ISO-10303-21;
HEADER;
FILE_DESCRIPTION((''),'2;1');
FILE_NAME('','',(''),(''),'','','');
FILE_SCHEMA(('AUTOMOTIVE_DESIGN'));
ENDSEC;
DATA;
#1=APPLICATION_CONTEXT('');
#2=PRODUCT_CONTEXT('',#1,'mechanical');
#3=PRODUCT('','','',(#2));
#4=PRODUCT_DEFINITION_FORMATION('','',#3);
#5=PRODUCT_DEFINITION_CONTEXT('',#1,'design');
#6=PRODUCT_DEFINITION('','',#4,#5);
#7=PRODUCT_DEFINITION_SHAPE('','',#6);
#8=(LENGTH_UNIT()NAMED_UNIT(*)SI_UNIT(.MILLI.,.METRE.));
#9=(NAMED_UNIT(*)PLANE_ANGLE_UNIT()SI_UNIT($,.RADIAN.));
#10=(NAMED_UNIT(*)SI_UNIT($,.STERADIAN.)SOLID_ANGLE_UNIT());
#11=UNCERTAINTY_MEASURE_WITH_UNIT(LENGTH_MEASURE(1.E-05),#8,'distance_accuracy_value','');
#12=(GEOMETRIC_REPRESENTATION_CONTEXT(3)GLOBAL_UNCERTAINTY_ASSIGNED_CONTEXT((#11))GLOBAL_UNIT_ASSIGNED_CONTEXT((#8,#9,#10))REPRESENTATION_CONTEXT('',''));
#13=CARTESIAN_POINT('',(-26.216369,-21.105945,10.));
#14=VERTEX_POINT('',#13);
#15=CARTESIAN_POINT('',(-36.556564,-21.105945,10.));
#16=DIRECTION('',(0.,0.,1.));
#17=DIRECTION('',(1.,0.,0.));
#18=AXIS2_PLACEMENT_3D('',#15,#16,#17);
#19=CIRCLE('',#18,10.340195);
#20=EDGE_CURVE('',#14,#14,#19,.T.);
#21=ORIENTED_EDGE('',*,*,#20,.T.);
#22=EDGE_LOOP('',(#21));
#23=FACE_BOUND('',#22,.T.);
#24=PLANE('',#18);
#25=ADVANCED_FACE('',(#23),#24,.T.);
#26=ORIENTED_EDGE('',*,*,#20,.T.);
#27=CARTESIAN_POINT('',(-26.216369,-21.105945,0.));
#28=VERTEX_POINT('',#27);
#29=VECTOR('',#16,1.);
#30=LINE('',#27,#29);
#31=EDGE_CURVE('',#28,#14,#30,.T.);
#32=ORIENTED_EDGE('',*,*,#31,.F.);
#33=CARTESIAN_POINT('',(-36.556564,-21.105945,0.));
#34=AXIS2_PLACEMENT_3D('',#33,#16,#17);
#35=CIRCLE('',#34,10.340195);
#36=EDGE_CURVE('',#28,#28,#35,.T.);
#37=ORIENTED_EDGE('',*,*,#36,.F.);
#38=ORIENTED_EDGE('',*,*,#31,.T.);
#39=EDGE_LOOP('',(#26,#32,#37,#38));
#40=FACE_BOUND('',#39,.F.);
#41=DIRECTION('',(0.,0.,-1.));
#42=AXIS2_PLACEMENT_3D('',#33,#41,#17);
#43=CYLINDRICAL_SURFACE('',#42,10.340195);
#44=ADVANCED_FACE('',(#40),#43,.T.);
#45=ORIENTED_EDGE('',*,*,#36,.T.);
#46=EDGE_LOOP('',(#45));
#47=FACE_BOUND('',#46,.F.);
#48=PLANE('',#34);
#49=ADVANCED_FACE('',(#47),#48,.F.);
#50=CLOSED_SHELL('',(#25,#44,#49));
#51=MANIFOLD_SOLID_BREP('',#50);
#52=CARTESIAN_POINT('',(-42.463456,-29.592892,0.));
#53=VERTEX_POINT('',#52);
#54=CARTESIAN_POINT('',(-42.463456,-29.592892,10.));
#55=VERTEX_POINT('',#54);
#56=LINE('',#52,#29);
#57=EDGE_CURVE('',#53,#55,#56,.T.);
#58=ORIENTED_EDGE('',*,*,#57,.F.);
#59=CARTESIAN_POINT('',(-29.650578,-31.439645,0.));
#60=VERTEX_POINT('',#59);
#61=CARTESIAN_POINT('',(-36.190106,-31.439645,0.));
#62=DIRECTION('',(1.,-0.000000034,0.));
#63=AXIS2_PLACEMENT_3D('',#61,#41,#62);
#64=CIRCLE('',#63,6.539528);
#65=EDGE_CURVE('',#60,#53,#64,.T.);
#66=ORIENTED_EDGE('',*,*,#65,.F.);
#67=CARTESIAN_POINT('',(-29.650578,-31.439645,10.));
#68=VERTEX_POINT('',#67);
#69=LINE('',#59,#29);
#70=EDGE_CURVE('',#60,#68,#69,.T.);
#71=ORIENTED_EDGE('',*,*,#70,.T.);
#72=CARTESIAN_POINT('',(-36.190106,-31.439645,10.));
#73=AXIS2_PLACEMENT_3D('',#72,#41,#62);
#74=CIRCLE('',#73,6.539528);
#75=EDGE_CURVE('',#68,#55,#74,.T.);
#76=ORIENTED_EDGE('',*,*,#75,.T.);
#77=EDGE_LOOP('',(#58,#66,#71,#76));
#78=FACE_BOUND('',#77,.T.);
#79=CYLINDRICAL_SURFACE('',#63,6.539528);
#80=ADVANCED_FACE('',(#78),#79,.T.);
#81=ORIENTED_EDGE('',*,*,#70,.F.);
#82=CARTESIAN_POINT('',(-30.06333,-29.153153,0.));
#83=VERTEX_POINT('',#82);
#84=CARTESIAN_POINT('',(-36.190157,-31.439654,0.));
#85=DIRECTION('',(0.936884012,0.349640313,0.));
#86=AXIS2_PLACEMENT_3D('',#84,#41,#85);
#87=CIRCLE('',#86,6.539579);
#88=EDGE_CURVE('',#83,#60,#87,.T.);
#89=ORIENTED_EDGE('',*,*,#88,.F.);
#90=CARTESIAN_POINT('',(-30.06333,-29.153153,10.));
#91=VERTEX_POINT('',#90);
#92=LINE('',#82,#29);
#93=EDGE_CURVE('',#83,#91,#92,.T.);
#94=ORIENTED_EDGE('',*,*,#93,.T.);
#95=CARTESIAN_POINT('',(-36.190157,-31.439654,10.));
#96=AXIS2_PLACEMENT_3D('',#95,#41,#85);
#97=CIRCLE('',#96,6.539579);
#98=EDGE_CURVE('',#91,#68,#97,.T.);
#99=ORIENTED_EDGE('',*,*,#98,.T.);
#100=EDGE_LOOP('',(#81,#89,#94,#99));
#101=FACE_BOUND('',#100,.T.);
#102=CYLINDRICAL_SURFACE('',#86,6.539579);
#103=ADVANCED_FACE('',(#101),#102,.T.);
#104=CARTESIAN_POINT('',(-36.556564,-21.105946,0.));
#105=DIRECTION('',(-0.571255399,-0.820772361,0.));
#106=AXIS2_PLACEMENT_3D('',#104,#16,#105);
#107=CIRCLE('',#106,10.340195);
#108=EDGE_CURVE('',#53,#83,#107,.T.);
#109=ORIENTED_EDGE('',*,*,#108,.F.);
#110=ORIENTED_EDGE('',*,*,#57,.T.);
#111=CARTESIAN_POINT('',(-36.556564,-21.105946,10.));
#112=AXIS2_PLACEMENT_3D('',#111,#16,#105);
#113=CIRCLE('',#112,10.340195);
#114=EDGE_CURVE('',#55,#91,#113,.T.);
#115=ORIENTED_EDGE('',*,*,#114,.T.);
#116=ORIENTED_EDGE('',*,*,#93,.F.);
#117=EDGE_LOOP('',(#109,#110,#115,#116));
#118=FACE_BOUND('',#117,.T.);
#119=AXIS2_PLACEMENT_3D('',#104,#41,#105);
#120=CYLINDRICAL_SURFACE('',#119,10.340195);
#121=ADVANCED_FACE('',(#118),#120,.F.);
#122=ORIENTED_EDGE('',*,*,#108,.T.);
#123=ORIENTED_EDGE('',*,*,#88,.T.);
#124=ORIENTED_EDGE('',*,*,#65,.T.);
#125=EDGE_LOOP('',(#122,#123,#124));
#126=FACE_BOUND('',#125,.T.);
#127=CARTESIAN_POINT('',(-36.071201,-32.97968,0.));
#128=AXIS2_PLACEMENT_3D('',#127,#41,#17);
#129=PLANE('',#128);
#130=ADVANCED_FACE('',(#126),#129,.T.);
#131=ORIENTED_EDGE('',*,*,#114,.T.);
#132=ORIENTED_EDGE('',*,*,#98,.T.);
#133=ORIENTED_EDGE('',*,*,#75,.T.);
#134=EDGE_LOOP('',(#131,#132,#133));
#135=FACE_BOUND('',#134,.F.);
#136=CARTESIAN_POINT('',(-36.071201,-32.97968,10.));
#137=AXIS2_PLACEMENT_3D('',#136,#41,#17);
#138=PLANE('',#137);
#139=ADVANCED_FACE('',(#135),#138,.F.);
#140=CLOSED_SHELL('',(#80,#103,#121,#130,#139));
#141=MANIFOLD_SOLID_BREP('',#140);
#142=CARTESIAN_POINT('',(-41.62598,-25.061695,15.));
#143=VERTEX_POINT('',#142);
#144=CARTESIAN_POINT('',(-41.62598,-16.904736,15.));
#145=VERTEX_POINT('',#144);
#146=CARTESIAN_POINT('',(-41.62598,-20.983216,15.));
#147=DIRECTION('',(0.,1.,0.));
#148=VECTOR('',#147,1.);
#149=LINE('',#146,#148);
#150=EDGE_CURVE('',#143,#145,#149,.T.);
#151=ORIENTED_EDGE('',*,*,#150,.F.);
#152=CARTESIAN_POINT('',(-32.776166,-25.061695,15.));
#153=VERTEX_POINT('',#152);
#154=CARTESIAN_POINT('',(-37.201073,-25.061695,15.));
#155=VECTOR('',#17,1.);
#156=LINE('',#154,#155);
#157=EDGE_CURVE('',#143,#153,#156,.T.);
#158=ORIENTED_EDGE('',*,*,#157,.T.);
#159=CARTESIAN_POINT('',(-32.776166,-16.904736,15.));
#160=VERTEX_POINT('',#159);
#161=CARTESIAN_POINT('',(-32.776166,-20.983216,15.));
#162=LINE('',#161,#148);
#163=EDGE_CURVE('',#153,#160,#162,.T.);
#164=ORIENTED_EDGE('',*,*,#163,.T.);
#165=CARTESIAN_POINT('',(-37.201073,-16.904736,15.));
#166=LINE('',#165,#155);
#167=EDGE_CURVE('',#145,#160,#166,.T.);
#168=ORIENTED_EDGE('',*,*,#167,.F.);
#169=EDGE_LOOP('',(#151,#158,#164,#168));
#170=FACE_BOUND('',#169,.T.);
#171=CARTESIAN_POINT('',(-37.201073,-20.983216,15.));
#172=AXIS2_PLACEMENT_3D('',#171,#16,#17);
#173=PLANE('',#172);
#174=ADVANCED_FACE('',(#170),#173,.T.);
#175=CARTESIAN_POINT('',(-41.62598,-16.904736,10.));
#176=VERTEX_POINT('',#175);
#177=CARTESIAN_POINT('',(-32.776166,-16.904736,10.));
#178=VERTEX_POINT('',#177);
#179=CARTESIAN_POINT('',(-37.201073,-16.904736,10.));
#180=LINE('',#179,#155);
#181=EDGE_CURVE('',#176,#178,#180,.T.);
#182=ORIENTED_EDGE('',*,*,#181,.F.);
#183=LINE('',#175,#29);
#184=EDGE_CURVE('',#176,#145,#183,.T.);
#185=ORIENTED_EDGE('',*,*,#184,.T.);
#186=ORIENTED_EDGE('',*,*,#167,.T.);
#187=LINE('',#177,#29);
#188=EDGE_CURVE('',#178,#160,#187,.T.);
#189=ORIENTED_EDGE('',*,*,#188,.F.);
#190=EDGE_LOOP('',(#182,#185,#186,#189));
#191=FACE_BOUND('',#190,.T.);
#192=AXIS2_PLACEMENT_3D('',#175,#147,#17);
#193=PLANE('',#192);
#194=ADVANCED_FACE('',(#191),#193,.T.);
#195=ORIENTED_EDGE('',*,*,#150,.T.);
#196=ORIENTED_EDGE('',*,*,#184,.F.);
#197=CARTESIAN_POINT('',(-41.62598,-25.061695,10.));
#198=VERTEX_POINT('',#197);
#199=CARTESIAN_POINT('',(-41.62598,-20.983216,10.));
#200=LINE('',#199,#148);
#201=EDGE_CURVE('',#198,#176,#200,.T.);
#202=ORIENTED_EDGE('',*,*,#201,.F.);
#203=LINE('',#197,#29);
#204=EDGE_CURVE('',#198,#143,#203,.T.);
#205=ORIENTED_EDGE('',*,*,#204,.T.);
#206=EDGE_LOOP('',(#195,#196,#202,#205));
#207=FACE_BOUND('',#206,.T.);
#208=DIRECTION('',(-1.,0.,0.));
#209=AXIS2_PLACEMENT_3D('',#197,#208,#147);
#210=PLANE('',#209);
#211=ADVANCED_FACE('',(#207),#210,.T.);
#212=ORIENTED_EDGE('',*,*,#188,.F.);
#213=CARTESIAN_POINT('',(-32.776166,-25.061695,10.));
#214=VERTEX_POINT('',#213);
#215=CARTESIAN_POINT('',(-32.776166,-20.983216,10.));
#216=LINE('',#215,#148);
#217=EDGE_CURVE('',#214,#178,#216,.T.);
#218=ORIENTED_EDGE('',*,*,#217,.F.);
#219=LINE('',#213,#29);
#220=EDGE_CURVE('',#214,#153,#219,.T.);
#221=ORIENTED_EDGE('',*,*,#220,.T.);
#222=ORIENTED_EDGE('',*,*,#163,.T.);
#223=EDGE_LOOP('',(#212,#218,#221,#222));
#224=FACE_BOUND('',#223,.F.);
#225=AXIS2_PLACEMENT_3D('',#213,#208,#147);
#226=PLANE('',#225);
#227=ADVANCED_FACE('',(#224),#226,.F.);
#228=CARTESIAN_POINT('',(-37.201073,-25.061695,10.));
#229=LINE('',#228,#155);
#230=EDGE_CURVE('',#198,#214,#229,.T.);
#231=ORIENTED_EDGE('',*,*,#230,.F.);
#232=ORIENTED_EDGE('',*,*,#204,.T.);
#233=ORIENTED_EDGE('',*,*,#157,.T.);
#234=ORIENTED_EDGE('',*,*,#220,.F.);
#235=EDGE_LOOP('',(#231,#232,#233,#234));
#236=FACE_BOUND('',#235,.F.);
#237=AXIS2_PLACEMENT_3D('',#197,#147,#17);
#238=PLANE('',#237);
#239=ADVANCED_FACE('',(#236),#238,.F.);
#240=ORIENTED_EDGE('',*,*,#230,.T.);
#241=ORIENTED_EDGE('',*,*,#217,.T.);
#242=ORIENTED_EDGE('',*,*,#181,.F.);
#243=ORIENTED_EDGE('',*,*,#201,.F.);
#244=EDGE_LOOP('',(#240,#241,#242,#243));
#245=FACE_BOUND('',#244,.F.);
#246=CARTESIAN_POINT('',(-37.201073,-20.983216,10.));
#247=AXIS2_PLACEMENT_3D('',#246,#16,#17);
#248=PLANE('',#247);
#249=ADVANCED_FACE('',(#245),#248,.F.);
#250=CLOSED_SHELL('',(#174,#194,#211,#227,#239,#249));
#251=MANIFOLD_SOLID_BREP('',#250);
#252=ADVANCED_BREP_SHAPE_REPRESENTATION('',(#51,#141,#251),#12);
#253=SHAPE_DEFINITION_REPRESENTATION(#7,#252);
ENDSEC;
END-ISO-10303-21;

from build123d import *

# Parameters (mm, degrees)
F0_R     = 10.340195
F1_DEPTH = 10
F2_W     = 8.849814
F2_H     = 8.156959
F3_DEPTH = 5
F5_DEPTH = 10


with BuildPart() as f1:
    # F0 (on Top) → F1 (new body)
    with BuildSketch(Plane.XY):
        with Locations((-36.556564, -21.105945)):
            Circle(F0_R)
    extrude(amount=F1_DEPTH)


with BuildPart() as f3:
    # F2 (on face) → F3 (new body)
    with BuildSketch(Plane.XY.offset(10)):
        with Locations((-37.201073, -20.983216)):
            Rectangle(F2_W, F2_H)
    extrude(amount=F3_DEPTH)


with BuildPart() as f5:
    # F4 (on face) → F5 (new body)
    with BuildSketch(Plane(origin=(0, 0, 0), x_dir=(1, 0, 0), z_dir=(0, 0, -1))):
        with BuildLine():
            ThreePointArc((-30.06333, 29.153153), (-29.754594, 30.277921), (-29.650578, 31.439645))
            ThreePointArc((-29.650578, 31.439645), (-37.123024, 37.912286), (-42.463456, 29.592892))
            ThreePointArc((-42.463456, 29.592892), (-36.190106, 31.439645), (-30.06333, 29.153153))
        make_face()
    extrude(amount=-F5_DEPTH)


solid = Compound([f1.part, f3.part, f5.part])
